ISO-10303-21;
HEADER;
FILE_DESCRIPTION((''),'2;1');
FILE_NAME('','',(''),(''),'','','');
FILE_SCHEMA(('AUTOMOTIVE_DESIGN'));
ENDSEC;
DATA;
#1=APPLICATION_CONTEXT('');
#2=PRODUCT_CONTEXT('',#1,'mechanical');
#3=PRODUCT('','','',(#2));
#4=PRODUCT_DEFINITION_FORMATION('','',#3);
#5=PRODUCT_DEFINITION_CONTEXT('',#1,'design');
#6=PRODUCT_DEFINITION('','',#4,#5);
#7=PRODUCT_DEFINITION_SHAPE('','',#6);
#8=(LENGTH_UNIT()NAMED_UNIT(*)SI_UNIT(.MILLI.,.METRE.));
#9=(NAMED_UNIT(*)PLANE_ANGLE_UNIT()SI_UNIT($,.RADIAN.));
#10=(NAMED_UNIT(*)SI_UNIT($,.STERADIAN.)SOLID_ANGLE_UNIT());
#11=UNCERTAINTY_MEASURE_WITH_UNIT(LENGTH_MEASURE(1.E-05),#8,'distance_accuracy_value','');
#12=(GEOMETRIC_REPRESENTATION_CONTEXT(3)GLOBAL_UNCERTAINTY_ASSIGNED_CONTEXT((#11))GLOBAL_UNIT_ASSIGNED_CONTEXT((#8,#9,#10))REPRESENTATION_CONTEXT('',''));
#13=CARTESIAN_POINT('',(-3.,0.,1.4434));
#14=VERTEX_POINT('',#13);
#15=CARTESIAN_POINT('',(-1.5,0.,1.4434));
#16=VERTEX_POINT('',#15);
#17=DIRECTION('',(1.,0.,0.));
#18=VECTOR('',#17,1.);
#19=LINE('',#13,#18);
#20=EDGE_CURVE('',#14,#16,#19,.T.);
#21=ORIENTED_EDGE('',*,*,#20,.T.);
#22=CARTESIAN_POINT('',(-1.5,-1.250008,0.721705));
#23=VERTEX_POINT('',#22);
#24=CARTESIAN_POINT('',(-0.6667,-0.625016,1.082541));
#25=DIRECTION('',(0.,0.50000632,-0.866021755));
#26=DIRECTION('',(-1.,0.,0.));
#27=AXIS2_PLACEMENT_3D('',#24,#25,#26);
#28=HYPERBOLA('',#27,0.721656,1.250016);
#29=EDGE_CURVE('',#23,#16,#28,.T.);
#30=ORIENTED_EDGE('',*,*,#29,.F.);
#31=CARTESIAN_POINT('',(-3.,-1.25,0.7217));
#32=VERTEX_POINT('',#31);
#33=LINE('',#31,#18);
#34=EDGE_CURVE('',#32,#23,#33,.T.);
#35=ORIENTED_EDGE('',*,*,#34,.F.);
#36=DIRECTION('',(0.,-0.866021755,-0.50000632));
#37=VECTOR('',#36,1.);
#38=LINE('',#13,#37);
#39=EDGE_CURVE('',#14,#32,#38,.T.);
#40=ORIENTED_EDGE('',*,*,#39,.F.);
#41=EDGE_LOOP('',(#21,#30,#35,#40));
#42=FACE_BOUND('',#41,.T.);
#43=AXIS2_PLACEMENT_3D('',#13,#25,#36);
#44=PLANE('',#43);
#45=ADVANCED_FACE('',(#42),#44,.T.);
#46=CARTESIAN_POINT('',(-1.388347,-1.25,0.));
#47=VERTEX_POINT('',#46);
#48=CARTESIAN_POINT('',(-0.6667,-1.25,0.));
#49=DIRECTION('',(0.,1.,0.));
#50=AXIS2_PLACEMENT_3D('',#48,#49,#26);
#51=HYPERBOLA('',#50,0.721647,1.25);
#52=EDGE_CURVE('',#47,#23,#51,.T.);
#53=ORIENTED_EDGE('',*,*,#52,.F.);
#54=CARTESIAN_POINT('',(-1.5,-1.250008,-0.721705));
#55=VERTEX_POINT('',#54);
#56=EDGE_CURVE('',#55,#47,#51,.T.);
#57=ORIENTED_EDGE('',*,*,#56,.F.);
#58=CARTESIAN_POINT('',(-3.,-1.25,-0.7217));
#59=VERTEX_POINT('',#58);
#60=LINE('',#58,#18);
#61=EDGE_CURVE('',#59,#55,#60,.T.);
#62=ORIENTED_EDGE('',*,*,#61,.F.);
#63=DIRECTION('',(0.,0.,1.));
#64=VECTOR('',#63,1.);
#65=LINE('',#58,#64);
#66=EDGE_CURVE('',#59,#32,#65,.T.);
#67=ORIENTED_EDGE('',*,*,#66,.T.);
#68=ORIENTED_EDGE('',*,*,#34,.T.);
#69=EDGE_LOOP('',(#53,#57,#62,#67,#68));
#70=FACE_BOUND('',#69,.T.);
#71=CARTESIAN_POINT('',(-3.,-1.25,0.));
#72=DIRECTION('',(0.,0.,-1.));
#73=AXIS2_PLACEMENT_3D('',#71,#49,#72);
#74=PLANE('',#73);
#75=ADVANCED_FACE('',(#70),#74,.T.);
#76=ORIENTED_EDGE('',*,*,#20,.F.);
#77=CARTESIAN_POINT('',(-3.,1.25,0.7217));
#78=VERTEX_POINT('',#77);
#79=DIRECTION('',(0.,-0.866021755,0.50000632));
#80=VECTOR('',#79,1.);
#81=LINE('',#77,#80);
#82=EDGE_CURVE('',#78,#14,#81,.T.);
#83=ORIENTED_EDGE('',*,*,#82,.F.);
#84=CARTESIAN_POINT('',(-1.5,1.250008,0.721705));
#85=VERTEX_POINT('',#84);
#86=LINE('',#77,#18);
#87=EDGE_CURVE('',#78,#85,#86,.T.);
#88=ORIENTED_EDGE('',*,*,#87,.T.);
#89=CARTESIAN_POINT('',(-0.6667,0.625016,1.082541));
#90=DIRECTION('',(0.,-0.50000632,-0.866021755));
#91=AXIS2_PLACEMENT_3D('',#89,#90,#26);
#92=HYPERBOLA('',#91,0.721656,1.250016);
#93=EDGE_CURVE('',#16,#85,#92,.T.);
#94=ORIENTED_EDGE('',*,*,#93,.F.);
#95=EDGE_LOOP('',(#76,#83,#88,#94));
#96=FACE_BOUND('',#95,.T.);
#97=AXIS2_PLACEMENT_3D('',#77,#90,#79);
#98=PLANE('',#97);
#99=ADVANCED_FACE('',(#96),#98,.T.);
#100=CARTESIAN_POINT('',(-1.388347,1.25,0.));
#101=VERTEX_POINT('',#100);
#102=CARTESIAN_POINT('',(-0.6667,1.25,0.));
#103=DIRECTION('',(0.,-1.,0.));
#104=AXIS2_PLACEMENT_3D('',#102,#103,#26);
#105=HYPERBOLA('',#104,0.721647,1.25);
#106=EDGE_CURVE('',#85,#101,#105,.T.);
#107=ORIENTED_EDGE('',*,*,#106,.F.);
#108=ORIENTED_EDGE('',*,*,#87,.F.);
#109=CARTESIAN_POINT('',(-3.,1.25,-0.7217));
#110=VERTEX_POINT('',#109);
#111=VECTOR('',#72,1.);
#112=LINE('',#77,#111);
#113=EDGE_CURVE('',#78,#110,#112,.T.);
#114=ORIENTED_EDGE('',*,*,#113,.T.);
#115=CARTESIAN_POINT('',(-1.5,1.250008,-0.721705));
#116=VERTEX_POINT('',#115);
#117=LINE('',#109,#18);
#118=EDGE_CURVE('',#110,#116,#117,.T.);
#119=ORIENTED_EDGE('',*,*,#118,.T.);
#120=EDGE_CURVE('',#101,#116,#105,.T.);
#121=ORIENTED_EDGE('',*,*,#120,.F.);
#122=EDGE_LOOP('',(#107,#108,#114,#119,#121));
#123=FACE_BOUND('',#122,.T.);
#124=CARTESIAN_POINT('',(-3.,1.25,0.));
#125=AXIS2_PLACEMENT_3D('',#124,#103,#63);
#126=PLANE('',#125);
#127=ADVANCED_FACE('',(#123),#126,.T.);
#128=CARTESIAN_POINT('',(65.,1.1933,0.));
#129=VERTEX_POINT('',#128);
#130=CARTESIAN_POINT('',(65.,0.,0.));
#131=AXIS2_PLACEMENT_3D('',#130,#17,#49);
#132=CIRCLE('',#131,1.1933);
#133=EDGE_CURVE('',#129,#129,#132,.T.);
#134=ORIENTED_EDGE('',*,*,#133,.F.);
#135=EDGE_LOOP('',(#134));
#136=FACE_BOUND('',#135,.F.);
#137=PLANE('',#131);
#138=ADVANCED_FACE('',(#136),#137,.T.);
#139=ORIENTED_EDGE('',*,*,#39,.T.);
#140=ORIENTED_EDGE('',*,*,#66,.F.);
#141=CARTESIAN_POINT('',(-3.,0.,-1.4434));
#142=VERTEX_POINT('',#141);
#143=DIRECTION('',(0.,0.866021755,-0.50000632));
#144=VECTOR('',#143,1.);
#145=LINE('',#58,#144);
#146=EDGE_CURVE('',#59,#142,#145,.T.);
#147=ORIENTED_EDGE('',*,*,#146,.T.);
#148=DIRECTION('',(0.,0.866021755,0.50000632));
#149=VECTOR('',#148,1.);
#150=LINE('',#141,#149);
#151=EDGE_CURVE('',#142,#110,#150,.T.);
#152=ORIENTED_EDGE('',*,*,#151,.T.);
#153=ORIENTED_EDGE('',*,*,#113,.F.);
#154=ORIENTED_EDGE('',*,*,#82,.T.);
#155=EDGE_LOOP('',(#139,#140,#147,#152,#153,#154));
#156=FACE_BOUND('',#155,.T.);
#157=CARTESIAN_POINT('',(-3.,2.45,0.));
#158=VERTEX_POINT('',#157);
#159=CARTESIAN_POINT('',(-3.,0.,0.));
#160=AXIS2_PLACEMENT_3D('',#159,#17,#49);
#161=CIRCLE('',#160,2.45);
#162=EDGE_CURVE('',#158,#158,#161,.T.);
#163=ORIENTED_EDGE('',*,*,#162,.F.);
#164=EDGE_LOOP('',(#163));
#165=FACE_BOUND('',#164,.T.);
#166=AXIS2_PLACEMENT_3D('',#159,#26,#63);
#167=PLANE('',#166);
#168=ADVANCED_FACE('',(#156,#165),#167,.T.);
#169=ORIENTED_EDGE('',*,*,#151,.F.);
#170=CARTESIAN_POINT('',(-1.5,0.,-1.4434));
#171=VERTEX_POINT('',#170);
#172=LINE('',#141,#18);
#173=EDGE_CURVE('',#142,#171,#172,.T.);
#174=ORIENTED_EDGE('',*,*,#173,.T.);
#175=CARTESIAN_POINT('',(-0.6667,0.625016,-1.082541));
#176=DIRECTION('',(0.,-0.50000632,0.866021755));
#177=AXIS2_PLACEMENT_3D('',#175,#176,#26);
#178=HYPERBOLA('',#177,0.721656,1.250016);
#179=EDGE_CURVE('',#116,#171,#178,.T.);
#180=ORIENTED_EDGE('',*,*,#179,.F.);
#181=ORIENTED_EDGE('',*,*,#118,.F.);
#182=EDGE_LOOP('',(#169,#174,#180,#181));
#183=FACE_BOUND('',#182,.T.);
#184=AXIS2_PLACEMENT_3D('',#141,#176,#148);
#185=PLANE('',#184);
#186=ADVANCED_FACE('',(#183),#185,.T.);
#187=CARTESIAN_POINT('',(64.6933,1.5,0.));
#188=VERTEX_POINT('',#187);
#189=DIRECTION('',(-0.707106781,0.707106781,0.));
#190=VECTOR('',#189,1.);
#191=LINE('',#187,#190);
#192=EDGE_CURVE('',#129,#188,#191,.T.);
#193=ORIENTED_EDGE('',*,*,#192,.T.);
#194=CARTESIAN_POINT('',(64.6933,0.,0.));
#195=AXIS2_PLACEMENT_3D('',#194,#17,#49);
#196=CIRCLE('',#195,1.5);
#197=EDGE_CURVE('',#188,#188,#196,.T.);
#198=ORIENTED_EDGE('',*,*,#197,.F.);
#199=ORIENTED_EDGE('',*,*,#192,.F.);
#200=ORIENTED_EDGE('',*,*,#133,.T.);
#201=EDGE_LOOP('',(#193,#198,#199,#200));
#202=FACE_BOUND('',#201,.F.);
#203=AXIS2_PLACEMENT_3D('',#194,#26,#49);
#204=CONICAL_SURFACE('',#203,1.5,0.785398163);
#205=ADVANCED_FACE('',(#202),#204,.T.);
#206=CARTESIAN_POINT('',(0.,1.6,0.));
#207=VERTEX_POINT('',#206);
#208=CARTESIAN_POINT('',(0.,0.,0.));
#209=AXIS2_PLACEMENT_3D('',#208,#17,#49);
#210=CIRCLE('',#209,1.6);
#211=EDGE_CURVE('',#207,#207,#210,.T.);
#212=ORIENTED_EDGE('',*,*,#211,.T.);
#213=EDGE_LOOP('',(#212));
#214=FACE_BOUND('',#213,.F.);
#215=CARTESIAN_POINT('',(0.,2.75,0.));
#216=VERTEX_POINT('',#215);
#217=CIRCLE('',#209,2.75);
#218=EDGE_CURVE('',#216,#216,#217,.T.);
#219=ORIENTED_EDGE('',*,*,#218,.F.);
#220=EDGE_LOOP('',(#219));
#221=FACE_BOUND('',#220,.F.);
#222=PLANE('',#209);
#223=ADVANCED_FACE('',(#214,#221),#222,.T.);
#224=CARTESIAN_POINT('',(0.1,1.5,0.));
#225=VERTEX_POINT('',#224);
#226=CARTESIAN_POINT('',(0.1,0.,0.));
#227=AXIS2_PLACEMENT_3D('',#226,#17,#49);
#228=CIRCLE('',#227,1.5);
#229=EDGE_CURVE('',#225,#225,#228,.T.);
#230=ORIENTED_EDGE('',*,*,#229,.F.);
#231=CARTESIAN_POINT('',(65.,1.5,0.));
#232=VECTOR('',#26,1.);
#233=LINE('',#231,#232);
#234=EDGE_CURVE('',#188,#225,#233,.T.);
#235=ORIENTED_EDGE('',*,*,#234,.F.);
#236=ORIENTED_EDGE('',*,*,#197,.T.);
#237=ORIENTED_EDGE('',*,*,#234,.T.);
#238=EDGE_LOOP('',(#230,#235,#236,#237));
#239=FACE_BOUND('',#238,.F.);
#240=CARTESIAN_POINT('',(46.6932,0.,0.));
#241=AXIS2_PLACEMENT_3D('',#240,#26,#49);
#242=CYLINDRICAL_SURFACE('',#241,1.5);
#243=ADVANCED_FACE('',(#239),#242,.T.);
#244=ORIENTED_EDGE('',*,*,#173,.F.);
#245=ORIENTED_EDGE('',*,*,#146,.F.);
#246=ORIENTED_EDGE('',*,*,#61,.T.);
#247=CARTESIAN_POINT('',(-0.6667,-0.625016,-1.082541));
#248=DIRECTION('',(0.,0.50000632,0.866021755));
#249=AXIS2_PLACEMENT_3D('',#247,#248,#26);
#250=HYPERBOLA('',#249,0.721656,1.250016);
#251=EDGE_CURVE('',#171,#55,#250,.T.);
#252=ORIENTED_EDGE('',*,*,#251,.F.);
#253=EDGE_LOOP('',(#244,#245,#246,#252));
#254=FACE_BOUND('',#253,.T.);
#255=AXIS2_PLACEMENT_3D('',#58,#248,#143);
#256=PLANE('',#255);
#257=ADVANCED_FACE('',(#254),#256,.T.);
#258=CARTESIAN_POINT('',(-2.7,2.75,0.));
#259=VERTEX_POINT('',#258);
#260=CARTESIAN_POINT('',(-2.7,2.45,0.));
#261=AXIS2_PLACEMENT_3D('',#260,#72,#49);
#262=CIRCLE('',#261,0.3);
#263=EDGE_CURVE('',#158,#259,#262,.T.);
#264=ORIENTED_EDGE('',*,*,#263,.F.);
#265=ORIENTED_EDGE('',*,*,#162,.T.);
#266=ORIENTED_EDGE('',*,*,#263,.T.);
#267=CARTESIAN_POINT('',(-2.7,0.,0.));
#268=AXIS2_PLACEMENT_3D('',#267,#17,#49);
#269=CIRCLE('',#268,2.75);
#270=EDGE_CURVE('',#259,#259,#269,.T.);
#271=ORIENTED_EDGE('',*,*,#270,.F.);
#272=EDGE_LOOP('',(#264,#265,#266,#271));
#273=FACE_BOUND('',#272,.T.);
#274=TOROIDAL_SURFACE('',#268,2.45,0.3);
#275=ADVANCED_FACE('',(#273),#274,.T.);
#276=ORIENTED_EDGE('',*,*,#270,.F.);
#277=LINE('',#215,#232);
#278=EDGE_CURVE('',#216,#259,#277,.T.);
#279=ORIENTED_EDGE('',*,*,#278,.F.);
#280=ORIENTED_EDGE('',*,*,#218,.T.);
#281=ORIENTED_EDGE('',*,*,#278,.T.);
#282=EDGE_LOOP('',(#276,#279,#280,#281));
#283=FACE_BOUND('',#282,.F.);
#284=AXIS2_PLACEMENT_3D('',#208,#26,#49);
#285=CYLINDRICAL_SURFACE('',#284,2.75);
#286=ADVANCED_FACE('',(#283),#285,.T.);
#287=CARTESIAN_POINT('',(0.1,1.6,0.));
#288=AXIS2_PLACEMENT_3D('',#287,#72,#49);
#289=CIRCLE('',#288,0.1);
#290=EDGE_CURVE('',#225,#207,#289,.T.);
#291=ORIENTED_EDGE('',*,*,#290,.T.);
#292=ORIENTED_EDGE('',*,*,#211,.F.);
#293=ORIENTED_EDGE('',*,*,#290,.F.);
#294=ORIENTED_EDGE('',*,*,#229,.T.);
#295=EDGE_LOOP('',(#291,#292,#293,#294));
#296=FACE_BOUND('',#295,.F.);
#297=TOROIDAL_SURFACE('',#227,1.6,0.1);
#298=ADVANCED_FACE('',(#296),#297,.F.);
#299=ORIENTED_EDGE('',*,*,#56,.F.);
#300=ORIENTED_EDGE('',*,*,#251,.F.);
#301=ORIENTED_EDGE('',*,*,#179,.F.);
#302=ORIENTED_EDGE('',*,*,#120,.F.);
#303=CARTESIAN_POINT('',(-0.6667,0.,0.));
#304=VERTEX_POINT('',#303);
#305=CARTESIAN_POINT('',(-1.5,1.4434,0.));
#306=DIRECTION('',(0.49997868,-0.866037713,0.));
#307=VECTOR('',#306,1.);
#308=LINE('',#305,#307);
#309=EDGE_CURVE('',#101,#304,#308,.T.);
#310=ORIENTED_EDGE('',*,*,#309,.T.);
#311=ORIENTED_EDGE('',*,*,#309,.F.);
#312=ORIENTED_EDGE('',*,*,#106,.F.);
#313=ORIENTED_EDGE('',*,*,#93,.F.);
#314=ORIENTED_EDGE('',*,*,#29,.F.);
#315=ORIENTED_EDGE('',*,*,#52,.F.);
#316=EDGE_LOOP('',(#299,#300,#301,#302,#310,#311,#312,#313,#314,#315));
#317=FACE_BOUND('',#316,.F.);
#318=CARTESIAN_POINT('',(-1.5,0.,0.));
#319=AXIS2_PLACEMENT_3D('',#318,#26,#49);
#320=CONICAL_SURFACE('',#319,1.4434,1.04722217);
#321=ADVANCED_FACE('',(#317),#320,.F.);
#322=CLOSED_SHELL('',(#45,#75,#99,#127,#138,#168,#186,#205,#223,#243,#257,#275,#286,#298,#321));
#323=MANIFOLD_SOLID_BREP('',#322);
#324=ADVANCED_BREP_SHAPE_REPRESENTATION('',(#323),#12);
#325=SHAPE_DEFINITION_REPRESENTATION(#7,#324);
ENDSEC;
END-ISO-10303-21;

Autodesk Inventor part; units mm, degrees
ref_plane "YZ Plane" through (0, 0, 0) normal (1, 0, 0) x (0, 1, 0)
ref_plane "XZ Plane" through (0, 0, 0) normal (0, 1, 0) x (-1, 0, 0)
sketch "Sketch1" plane through (0, 0, 0) normal (0, 0, 1) x (1, 0, 0)
  line L0 (-0.6667, 0) -> (65, 0)
  line L1 (65, 0) -> (65, 1.5)
  line L2 (65, 1.5) -> (47, 1.5)
  line L3 (47, 1.5) -> (46.6932, 1.5)
  line L4 (46.6932, 1.5) -> (0, 1.5)
  line L5 (0, 1.5) -> (0, 2.75)
  line L6 (0, 2.75) -> (-3, 2.75)
  line L7 (-3, 2.75) -> (-3, 1.4434)
  line L8 (-3, 1.4434) -> (-1.5, 1.4434)
  line L9 (-1.5, 1.4434) -> (-0.6667, 0)
  line L10 (-16.6, 0) -> (78.6, 0) projected
  line L11 (0, -0.55) -> (0, 3.3) projected
  line L12 (47, 1.5) -> (0, 1.5) construction
  dimension "d1" = 18
  dimension "d2" = 0.3068
  dimension "d3" = 3
  dimension "d4" = 1.5
  dimension "d5" = 60
  dimension "d6" = 3
  dimension "d7" = 3
  dimension "d8" = 2.8868
  dimension "d9" = 5.5
  dimension "d26" = 65
revolve "Body" add sketch "Sketch1" angle 360 about axis through (-0.6667, 0, 0) along (1, 0, 0)
sketch "Sketch2" plane through (-3, 0, 0) normal (-1, 0, 0) x (0, 0, 1)
  circle A0 centre (0, 0) radius 1.4434 projected
  line L0 (0, -3.85) -> (0, 3.85) projected
  line L1 (-3.85, 0) -> (3.85, 0) projected
  line L2 (1.4434, 0) -> (0.7217, -1.25)
  line L3 (0.7217, -1.25) -> (-0.7217, -1.25)
  line L4 (-0.7217, -1.25) -> (-1.4434, 0)
  line L5 (-1.4434, 0) -> (-0.7217, 1.25)
  line L6 (-0.7217, 1.25) -> (0.7217, 1.25)
  line L7 (0.7217, 1.25) -> (1.4434, 0)
extrude "Slot" add sketch "Sketch2" against normal up to next contours L7 A0 | A0 L2 | L6 L0 A0 | A0 L0 L3 | L0 L6 A0 | A0 L3 L0 | L4 A0 | A0 L5
fillet "Fillet1" radius 0.3 1 edges at (-3, -2.75, 0)
thread "Thread" size "M3x0.5" class "6g" standard "ISO Metric profile" length 18
chamfer "Chamfer1" distance 0.3067 distance2 0.3067 1 edges at (65, -1.5, 0) measured on face at (65, -0.92, -0.2845)
ref_plane "Work Plane1" through (29, 0, 0) normal (0, -1, 0) x (1, 0, 0)
fillet "Fillet2" radius 0.1 1 edges at (0, -1.5, 0)
equation "\"d1\" = GEL"
equation "\"d3\" = KOH"
equation "\"d4\" = INTI"
equation "\"d6\" = GD"
equation "\"d7\" = BDM"
equation "\"d8\" = 1.1547 * SW"
equation "\"d9\" = KOD"
equation "\"d26\" = NLG"
equation "\"d30\" = R"
equation "\"d17\" = RR"
equation "\"d13\" = GEL"
equation "\"d15\" = -0.5 * SPD + 0.5 * GD"
equation "\"d16\" = GUL"
equation "\"GD\" = NND"
equation "\"NLG\" = 65"
equation "\"GEL\" = 18"
equation "\"KOD\" = 5.5"
equation "\"KOH\" = 3"
equation "\"INTI\" = 1.5"
equation "\"GAL\" = 0.61345 * PTC"
equation "\"GUL\" = 0.61345 * PTC"
equation "\"BDM\" = NND"
equation "\"SW\" = 2.5"
equation "\"RR\" = 0.3"
equation "\"SPD\" = 2.38655"
equation "\"R\" = 0.1"
equation "\"TOA\" = 30deg"
equation "\"THREADDIA\" = 3"
equation "\"PTC\" = 0.5"
equation "\"NND\" = 3"
equation "\"E0\" = 1.155 * SW"
equation "\"GD1\" = THREADDIA - 1.2269 * PTC"
properties part number "ANSI B18.3.1M - M3x0.5 x 65" material "Steel, Mild"
